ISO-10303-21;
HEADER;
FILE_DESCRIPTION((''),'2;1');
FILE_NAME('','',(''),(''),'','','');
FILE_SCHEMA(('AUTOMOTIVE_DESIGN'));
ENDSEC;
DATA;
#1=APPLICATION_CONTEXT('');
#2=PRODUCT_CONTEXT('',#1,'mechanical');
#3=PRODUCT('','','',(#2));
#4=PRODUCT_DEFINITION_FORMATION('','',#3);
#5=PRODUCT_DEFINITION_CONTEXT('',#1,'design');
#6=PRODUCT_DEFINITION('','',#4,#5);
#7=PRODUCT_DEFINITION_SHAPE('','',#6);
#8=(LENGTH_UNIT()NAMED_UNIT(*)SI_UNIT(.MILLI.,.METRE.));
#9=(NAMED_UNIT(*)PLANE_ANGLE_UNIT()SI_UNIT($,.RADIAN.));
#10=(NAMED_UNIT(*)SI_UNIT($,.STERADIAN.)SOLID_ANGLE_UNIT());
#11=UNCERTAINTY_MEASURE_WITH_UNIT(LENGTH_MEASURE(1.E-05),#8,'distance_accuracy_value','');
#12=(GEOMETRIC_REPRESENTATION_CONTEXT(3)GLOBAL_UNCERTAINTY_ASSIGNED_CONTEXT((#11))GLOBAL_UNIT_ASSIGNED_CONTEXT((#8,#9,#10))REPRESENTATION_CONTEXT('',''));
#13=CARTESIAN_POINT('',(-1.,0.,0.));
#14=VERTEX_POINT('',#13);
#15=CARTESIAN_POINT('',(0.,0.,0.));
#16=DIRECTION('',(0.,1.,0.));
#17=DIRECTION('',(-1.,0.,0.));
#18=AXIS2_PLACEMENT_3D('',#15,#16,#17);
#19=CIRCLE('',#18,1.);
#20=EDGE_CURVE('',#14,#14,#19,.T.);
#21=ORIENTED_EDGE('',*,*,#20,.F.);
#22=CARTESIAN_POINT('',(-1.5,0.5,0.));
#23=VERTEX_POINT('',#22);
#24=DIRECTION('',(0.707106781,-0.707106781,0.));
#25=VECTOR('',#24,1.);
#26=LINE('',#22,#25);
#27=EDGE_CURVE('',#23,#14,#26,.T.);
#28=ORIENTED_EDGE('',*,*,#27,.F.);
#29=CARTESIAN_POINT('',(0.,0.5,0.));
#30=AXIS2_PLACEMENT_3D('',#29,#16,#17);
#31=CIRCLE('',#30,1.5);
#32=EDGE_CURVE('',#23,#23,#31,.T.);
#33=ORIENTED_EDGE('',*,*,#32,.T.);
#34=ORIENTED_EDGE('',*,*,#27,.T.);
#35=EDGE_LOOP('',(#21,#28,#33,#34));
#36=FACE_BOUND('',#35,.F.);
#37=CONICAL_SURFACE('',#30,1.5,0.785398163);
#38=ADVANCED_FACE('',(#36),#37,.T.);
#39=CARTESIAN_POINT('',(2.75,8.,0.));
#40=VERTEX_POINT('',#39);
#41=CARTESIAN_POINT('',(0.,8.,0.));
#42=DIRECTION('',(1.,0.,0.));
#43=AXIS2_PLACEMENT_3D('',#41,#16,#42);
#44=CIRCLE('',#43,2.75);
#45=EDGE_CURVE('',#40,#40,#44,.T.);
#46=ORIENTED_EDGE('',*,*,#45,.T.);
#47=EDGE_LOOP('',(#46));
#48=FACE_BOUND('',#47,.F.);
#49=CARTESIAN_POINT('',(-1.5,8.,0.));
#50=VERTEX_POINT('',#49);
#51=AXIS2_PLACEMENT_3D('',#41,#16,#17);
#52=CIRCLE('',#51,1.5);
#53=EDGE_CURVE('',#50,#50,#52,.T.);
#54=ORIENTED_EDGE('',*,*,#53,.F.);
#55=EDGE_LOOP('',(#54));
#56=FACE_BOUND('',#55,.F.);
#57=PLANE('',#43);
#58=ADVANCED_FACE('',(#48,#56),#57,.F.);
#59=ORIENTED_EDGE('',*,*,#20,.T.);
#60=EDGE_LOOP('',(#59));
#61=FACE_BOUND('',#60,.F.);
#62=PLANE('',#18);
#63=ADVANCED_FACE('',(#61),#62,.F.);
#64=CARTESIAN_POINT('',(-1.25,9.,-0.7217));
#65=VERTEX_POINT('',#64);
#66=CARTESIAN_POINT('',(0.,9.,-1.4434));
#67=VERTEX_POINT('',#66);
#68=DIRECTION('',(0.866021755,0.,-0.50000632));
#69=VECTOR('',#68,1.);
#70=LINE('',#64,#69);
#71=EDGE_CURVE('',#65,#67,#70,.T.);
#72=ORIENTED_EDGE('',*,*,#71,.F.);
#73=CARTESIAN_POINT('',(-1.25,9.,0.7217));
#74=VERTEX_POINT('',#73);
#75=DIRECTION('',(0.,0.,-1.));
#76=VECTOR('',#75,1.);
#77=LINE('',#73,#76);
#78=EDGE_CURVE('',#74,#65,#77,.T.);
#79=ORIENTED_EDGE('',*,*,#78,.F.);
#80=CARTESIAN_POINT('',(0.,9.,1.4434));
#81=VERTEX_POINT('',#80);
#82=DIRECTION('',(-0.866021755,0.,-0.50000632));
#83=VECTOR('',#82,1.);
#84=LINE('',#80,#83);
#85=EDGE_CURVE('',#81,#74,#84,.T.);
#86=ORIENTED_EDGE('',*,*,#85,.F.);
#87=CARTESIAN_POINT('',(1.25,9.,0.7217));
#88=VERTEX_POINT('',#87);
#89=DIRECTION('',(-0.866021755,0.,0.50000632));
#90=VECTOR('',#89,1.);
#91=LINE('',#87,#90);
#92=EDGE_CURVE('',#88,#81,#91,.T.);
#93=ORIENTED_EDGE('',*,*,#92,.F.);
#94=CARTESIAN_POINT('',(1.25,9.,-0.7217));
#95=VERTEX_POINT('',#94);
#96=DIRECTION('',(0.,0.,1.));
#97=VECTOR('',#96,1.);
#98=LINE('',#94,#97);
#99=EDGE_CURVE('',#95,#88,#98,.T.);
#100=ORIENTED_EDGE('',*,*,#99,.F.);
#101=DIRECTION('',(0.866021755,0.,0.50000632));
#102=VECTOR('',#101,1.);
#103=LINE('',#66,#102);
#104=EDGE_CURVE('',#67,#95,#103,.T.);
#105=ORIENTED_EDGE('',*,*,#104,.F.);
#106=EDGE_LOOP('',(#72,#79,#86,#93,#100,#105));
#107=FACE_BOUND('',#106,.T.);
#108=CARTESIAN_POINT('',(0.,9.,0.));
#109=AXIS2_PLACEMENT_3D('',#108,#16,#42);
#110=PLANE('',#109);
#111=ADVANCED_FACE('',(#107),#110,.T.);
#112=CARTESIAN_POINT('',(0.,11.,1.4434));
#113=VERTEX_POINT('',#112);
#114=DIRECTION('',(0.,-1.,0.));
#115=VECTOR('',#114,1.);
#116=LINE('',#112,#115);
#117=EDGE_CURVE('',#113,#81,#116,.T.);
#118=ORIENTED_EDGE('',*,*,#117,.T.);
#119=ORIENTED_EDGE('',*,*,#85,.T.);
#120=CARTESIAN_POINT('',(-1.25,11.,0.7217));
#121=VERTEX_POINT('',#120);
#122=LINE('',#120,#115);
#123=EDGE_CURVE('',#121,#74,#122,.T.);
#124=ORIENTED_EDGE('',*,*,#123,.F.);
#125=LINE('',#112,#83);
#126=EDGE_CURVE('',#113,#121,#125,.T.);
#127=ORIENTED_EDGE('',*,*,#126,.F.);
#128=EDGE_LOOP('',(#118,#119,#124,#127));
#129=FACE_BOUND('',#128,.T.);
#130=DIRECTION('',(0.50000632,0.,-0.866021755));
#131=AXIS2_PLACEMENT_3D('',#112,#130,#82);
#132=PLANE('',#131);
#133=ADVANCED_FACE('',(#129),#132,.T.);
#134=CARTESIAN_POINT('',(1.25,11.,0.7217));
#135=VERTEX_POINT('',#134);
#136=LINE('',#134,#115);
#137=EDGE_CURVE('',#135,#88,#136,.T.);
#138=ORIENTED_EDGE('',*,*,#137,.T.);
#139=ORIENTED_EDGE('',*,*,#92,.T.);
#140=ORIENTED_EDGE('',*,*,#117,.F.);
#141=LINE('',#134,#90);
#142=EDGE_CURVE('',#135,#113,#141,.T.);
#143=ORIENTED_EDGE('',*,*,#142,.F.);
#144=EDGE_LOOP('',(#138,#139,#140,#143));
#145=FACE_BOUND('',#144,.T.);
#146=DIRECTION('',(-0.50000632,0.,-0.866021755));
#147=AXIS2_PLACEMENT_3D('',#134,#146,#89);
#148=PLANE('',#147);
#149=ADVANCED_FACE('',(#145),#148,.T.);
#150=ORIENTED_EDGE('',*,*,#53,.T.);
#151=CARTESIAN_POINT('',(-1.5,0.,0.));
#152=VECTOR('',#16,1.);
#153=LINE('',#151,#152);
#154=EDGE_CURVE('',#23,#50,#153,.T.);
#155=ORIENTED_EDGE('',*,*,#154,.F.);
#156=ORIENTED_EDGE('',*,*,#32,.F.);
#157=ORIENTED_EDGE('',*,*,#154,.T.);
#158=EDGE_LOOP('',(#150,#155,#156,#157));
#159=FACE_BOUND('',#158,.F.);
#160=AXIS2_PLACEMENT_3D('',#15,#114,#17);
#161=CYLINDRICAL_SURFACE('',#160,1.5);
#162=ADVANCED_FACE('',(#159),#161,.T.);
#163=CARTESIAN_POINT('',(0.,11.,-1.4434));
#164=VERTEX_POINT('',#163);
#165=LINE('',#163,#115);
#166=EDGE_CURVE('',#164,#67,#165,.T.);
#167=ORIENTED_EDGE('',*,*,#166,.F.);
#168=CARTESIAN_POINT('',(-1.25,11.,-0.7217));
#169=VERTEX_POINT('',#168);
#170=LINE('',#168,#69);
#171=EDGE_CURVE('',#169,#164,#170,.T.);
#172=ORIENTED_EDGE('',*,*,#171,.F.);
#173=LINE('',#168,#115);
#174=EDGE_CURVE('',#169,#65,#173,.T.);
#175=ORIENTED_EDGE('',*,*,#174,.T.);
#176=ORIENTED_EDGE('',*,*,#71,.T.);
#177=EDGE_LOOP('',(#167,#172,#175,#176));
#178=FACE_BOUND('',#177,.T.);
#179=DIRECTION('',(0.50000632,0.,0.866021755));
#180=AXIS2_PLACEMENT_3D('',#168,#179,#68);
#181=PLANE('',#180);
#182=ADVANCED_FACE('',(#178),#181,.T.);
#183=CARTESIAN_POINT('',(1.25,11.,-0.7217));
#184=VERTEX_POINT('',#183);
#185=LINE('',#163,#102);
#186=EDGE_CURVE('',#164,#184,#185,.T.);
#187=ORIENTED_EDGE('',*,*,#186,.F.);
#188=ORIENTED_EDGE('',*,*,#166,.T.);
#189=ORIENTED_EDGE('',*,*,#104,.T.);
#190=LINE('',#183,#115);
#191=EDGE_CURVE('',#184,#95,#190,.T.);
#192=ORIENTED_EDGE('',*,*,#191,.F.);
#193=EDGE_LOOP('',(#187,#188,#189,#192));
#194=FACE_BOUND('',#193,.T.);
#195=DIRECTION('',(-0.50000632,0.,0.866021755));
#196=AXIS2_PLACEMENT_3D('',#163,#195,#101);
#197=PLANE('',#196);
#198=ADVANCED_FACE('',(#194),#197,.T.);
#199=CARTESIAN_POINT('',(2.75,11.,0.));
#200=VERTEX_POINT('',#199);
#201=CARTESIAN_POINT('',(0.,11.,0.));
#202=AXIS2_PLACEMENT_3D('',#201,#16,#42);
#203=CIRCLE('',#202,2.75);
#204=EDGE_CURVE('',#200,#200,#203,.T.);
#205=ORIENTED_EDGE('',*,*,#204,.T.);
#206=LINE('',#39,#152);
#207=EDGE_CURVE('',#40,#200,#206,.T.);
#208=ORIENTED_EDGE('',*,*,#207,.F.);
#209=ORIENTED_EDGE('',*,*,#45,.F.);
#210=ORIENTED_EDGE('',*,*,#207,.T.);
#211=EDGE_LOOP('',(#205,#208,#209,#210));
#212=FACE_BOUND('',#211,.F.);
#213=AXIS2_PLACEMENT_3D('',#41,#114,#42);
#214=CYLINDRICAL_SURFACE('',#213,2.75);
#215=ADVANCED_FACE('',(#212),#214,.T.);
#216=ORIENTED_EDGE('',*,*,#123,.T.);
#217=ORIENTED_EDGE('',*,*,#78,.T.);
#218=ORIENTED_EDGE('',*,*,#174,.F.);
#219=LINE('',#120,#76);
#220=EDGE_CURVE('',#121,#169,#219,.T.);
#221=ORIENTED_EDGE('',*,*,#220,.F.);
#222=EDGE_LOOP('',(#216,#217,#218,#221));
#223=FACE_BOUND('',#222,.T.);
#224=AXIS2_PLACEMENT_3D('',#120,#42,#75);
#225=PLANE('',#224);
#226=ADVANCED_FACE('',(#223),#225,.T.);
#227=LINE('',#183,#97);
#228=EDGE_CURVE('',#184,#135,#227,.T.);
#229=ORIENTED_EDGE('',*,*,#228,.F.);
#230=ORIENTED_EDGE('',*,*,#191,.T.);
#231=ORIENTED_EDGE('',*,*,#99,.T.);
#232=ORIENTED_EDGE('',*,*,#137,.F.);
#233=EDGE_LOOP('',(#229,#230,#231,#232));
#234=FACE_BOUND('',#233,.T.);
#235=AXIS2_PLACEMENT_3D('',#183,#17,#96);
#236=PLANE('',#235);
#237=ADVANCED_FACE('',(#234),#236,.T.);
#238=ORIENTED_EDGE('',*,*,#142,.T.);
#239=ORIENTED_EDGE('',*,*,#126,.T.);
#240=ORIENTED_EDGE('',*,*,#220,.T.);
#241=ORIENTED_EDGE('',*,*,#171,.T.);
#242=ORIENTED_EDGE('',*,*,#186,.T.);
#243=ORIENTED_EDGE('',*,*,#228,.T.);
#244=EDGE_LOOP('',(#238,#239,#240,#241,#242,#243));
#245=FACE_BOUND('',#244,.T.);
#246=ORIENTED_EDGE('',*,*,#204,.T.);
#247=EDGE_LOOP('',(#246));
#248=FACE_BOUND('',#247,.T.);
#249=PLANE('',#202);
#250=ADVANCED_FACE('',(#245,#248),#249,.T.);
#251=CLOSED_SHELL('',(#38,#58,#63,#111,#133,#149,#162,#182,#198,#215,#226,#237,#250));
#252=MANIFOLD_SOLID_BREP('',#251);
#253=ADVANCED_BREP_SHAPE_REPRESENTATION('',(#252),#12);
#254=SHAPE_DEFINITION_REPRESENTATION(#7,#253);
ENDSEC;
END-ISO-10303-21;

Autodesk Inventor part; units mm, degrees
ref_plane "YZ Plane" through (0, 0, 0) normal (1, 0, 0) x (0, 1, 0)
ref_plane "XZ Plane" through (0, 0, 0) normal (0, 1, 0) x (-1, 0, 0)
ref_plane "XY Plane" through (0, 0, 0) normal (0, 0, 1) x (1, 0, 0)
sketch "Sketch1" plane through (0, 0, 0) normal (0, 1, 0) x (-1, 0, 0)
  circle A0 centre (0, 0) radius 1.5
  dimension "d0" = 3
extrude "Extrusion1" add sketch "Sketch1" along normal blind 8
sketch "Sketch2" plane through (0, 8, 0) normal (0, 1, 0) x (1, 0, 0)
  circle A0 centre (0, 0) radius 1.5 projected
  circle A1 centre (0, 0) radius 2.75
  dimension "d3" = 5.5
extrude "Extrusion2" add sketch "Sketch2" along normal blind 3 contours A0 | A1
sketch "Sketch3" plane through (0, 11, 0) normal (0, 1, 0) x (1, 0, 0)
  circle A0 centre (0, 0) radius 2.75 projected
  line L0 (0, 1.4434) -> (1.25, 0.7217)
  line L1 (1.25, 0.7217) -> (1.25, -0.7217)
  line L2 (1.25, -0.7217) -> (0, -1.4434)
  line L3 (0, -1.4434) -> (-1.25, -0.7217)
  line L4 (-1.25, -0.7217) -> (-1.25, 0.7217)
  line L5 (-1.25, 0.7217) -> (0, 1.4434)
  dimension "d6" = 2.5
extrude "Extrusion3" cut sketch "Sketch3" against normal blind 2 contours L0 L1 L2 L3 L4 L5
thread "Thread1" size "M3x0.5" class "6g" standard "ANSI Metric M Profile" full length
chamfer "Chamfer1" distance 0.5 angle 45 1 edges at (1.5, 0, 0)
properties part number "SHCS3x8" material "Stainless Steel"
